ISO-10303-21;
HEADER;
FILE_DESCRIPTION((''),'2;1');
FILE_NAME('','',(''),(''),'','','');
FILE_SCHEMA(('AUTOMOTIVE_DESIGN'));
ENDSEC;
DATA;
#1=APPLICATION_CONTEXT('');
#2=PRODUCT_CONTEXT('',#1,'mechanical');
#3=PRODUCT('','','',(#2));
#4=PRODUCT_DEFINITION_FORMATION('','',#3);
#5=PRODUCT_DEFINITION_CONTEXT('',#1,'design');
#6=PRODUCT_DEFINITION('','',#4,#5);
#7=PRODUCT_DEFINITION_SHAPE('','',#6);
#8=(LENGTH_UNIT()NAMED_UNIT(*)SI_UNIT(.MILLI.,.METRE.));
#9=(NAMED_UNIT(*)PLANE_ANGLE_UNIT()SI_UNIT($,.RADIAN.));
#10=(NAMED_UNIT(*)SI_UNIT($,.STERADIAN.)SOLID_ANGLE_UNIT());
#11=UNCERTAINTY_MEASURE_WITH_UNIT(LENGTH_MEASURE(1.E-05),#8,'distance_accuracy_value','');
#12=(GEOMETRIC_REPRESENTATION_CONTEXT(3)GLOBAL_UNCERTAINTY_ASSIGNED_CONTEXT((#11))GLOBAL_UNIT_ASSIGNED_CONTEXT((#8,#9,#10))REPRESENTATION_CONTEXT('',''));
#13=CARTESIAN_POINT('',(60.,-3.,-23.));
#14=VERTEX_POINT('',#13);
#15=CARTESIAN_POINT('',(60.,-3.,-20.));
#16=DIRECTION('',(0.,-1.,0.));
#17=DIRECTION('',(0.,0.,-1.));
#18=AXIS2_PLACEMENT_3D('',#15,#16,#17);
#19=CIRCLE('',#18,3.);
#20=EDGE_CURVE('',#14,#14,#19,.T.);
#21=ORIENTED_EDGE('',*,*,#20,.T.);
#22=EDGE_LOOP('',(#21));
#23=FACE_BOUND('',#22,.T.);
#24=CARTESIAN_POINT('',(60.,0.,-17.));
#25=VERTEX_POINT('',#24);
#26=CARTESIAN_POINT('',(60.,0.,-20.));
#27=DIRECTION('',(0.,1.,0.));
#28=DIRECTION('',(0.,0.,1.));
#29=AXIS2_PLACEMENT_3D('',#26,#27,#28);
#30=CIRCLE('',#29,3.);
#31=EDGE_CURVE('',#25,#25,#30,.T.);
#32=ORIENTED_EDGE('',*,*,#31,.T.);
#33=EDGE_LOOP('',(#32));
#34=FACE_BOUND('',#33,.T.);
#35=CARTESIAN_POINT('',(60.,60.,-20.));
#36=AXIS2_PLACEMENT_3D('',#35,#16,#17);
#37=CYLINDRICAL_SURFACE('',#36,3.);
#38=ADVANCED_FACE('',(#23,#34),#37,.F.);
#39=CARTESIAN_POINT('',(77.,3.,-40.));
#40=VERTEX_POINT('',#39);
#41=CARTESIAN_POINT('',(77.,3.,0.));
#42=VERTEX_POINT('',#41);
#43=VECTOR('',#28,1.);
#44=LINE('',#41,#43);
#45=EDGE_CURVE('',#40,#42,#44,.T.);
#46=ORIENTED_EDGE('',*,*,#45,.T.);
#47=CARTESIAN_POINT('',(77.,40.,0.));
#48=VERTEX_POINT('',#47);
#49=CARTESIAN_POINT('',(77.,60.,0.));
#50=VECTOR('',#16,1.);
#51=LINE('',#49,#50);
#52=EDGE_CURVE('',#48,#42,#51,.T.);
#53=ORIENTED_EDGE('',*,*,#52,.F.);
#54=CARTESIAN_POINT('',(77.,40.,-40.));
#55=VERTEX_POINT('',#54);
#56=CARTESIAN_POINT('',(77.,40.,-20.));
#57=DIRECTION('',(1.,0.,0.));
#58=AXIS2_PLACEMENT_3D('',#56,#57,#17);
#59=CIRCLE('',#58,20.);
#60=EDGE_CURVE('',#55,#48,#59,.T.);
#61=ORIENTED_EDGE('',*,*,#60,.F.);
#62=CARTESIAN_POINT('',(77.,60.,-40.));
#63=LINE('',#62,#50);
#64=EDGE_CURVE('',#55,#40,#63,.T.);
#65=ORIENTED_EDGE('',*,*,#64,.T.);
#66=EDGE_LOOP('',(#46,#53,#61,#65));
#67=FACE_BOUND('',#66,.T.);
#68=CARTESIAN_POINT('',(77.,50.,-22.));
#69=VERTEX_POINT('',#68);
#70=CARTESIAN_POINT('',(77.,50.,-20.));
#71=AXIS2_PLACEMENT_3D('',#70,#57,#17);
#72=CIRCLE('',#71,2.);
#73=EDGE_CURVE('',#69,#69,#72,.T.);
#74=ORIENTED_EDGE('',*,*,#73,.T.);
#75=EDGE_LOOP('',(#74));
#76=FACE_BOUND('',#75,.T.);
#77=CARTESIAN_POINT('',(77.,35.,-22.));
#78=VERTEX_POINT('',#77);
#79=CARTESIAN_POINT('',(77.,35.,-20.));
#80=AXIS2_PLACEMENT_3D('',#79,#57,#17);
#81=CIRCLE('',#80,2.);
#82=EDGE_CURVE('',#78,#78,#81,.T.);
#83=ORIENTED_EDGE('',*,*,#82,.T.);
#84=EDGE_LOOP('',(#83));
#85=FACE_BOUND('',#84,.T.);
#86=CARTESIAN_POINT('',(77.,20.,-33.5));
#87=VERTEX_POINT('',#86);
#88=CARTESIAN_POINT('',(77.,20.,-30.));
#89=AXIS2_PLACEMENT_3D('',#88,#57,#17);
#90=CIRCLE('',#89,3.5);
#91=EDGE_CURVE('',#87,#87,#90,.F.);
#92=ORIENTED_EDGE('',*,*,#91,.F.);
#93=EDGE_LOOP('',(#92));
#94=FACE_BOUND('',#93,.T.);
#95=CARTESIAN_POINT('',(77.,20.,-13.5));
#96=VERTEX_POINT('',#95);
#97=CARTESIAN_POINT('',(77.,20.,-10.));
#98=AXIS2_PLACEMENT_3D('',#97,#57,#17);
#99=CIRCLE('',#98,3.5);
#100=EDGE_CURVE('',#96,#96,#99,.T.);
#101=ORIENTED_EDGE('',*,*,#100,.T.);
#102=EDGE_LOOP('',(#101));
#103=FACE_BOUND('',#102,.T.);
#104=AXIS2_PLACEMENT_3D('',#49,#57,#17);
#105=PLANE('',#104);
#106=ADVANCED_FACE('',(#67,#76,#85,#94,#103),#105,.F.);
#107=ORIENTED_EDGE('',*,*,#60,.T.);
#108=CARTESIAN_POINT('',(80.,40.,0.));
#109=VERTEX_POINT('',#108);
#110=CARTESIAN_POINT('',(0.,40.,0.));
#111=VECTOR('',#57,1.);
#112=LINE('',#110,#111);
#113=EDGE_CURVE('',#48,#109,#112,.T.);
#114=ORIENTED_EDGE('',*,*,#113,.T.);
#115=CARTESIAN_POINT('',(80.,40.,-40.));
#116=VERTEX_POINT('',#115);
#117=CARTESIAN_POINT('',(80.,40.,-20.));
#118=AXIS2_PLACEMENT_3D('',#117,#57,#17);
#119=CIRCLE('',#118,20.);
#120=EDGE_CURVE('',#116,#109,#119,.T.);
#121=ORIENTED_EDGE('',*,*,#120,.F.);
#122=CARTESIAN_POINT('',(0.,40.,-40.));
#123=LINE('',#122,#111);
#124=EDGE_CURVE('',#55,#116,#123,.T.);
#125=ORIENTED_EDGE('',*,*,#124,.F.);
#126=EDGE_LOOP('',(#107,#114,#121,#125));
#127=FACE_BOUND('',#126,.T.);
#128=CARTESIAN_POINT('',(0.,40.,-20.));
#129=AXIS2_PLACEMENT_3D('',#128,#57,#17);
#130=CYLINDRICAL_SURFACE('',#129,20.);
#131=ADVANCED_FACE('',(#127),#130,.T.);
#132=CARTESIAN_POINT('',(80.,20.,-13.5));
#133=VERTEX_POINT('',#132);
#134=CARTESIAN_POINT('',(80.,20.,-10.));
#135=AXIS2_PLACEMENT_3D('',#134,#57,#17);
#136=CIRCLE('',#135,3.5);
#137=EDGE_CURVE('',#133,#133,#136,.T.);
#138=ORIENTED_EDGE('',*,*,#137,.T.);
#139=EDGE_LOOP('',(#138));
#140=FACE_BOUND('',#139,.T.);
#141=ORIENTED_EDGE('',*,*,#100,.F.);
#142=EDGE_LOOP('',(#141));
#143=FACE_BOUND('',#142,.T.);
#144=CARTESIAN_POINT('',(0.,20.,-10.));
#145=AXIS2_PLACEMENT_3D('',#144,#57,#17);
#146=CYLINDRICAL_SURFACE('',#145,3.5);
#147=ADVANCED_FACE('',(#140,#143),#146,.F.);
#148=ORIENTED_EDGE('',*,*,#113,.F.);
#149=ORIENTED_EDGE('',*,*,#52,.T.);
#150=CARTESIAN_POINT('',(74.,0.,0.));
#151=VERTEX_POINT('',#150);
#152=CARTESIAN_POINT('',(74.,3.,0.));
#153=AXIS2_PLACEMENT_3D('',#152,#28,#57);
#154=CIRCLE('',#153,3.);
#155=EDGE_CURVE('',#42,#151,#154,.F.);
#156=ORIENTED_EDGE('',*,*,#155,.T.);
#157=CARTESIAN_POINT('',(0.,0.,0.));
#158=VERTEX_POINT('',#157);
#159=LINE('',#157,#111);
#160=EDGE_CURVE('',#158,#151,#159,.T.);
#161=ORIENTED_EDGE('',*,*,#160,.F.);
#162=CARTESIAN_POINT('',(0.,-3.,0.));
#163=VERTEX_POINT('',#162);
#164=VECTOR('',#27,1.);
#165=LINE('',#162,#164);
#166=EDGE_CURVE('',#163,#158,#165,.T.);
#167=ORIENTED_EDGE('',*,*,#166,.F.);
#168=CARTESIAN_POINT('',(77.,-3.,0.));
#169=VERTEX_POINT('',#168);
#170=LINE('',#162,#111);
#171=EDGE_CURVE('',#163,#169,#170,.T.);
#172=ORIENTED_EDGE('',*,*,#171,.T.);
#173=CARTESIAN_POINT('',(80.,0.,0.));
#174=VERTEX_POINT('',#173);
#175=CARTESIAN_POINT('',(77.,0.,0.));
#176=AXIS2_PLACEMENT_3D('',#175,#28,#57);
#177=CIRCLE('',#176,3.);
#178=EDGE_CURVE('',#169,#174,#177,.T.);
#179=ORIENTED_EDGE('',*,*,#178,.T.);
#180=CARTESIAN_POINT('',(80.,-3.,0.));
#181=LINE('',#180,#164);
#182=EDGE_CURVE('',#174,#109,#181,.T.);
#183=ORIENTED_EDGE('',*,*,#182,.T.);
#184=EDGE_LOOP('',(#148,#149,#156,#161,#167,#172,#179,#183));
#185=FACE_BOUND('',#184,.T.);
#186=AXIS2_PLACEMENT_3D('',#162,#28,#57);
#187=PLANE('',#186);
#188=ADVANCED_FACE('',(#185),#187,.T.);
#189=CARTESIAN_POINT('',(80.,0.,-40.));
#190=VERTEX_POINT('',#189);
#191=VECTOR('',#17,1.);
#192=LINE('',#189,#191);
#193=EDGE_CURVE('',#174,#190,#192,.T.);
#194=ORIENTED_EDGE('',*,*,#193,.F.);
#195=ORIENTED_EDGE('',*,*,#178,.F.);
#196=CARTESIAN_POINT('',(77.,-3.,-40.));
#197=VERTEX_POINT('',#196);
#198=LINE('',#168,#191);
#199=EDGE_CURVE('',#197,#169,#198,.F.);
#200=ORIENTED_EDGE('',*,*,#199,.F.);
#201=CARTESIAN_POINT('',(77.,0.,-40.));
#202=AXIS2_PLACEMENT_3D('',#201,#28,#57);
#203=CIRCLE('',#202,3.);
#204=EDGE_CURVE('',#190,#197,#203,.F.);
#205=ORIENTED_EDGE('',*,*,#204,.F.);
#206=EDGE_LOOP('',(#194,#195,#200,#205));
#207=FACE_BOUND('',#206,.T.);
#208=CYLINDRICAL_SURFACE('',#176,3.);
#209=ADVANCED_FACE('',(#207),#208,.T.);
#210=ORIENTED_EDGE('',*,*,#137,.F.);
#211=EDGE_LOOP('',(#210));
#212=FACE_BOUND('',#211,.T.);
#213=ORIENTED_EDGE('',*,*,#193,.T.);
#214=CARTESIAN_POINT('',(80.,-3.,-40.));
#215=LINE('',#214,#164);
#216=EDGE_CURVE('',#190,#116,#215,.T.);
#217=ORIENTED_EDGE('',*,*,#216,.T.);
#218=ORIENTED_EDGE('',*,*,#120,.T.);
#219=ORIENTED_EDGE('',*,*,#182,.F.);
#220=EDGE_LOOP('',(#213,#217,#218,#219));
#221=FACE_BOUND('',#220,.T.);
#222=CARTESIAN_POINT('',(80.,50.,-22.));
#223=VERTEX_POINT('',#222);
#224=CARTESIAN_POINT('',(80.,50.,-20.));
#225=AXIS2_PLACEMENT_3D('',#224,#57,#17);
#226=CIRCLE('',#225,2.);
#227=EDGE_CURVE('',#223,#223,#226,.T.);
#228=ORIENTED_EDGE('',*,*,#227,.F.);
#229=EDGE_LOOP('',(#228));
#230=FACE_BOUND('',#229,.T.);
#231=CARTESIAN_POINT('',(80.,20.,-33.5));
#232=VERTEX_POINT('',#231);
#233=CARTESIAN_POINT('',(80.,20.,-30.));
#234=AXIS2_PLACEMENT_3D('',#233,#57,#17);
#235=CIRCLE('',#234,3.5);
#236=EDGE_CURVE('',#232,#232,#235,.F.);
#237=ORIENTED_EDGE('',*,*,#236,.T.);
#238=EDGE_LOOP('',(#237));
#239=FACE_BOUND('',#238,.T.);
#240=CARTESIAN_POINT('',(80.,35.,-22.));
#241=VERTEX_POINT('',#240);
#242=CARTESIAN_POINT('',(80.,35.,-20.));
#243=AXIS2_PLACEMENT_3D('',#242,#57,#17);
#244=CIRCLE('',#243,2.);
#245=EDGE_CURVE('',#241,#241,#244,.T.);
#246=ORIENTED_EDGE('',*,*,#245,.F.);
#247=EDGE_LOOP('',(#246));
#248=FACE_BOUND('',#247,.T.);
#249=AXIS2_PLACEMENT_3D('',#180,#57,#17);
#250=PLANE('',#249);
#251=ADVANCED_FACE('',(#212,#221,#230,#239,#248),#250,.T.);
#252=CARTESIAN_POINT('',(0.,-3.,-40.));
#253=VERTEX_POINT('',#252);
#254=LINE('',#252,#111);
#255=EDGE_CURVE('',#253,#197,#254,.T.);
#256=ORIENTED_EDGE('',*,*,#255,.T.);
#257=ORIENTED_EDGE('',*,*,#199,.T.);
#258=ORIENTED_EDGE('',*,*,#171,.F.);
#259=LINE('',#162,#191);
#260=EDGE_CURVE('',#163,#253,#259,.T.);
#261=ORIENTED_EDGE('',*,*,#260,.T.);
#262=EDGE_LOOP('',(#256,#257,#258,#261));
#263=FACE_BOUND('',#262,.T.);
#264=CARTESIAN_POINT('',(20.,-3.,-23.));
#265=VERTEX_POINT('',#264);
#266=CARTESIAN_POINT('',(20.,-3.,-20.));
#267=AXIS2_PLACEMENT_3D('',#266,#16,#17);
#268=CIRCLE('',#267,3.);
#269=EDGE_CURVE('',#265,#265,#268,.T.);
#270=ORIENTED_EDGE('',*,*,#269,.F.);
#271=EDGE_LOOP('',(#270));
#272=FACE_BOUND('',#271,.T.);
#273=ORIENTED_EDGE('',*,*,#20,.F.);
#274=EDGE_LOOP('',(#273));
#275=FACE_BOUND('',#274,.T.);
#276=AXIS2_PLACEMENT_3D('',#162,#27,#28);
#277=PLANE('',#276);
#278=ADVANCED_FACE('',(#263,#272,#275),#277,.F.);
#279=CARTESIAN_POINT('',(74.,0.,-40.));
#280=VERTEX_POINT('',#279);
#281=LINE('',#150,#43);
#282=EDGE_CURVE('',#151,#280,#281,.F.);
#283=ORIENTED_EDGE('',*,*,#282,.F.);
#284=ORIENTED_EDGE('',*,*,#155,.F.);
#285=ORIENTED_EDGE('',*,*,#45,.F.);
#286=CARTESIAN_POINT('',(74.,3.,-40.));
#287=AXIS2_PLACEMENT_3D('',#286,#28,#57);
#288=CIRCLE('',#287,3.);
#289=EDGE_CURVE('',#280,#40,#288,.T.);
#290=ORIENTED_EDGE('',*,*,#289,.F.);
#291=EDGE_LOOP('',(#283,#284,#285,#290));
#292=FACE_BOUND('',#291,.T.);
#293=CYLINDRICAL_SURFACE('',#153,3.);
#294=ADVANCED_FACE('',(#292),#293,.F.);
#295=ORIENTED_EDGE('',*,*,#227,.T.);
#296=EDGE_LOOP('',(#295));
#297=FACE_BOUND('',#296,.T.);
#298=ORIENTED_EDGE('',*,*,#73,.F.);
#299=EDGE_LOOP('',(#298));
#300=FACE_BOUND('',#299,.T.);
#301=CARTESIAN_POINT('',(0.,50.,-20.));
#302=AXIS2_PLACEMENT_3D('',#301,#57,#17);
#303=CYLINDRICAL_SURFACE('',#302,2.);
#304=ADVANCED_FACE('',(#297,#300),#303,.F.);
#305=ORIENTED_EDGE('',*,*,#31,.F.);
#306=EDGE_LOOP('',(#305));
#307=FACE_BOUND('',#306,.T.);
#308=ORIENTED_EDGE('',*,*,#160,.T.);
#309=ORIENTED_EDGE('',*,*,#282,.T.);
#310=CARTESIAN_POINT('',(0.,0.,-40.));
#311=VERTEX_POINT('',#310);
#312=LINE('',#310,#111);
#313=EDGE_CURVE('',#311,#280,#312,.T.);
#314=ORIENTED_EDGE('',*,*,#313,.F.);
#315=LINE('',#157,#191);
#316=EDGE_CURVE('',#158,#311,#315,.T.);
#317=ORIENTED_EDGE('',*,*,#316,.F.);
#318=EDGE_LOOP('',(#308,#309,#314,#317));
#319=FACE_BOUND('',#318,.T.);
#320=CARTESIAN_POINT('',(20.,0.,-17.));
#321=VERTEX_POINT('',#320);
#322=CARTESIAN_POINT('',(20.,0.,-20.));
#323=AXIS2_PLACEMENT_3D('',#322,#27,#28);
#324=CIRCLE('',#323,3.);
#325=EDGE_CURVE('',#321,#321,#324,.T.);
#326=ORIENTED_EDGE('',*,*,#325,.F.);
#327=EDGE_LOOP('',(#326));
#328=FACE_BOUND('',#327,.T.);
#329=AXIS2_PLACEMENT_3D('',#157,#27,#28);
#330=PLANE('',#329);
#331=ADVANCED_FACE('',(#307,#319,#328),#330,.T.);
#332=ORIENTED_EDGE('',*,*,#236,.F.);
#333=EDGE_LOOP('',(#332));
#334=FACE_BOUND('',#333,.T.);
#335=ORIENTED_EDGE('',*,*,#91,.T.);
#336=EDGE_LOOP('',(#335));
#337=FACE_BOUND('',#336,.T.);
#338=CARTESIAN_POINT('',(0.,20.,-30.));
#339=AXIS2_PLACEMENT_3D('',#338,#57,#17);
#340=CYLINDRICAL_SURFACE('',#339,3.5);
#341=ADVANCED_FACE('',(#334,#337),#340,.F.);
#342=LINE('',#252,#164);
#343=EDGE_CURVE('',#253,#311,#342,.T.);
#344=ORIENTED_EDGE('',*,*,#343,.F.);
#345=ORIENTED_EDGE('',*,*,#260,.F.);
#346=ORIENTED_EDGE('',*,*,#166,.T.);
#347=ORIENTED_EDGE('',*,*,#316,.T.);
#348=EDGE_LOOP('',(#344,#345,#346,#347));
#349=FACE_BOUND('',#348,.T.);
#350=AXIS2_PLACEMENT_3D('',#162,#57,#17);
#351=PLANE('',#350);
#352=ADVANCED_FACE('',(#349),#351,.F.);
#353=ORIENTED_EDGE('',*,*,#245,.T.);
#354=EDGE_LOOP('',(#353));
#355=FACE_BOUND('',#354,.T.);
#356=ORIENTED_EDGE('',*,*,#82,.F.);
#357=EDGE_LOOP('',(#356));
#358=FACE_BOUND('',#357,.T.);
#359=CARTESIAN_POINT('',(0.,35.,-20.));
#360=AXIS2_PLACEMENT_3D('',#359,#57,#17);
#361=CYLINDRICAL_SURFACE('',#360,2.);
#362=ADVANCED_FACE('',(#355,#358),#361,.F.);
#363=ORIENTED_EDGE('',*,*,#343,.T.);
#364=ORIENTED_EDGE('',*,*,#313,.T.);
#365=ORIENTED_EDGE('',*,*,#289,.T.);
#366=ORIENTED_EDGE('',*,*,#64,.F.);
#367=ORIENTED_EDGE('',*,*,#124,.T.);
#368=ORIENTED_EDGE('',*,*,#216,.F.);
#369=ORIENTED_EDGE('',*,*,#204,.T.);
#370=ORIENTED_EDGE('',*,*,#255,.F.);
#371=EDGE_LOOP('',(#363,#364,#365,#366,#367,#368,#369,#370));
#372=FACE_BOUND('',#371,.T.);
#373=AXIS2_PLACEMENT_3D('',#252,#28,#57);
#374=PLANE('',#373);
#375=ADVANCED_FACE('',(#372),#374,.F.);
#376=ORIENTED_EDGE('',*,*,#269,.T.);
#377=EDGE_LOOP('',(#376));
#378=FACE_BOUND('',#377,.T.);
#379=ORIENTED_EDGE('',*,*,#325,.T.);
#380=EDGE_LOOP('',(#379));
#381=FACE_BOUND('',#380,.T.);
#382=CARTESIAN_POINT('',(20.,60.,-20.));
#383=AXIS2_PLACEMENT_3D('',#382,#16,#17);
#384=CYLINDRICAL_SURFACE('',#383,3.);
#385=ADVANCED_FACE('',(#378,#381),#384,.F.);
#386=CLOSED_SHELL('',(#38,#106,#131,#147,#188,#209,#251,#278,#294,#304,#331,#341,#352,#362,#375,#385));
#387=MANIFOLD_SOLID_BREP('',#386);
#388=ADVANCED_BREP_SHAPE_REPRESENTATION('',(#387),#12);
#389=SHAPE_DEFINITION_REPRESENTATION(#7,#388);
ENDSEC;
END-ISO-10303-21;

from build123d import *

# Parameters (mm, degrees)
SKETCH2_W           = 80
SKETCH2_H           = 40
BOSS_EXTRUDE1_DEPTH = 3
SKETCH2_3_W         = 3
SKETCH2_3_H         = 40
BOSS_EXTRUDE2_DEPTH = 60
FILLET1_R           = 3
SKETCH3_R           = 2
SKETCH3_R_2         = 3.5
CUT_EXTRUDE1_DEPTH  = 108.703296143
SKETCH7_R           = 3
CUT_EXTRUDE2_DEPTH  = 110.402925007


with BuildPart() as part:
    # Sketch2 → Boss-Extrude1 (new body)
    with BuildSketch(Plane(origin=(0, 0, 0), x_dir=(1, 0, 0), z_dir=(0, 1, 0))):
        with Locations((40, 20)):
            Rectangle(SKETCH2_W, SKETCH2_H)
    extrude(amount=-BOSS_EXTRUDE1_DEPTH)

    # Sketch2<3> → Boss-Extrude2 (add)
    with BuildSketch(Plane(origin=(0, 0, 0), x_dir=(1, 0, 0), z_dir=(0, 1, 0))):
        with Locations((78.5, 20)):
            Rectangle(SKETCH2_3_W, SKETCH2_3_H)
    extrude(amount=BOSS_EXTRUDE2_DEPTH)

    # Fillet1
    fillet1_edges = [part.edges().sort_by_distance(p)[0] for p in [
        (80, -3, -20),
        (77, 0, -20),
    ]]
    fillet(fillet1_edges, radius=FILLET1_R)

    # Sketch3 → Cut-Extrude1 (cut, through all)
    with BuildSketch(Plane(origin=(80, 0, 0), x_dir=(0, 0, -1), z_dir=(1, 0, 0))):
        with Locations((20, 35)):
            Circle(SKETCH3_R)
        with Locations((20, 50)):
            Circle(SKETCH3_R)
        with BuildLine():
            ThreePointArc((0, 40), (5.857864376, 54.142135624), (20, 60))
            Line((20, 60), (0, 60))
            Line((0, 60), (0, 40))
        make_face()
        with BuildLine():
            Line((40, 60), (20, 60))
            ThreePointArc((20, 60), (34.142135624, 54.142135624), (40, 40))
            Line((40, 40), (40, 60))
        make_face()
        with Locations((10, 20)):
            Circle(SKETCH3_R_2)
        with Locations((30, 20)):
            Circle(SKETCH3_R_2)
    extrude(amount=-CUT_EXTRUDE1_DEPTH, mode=Mode.SUBTRACT)

    # Sketch7 → Cut-Extrude2 (cut, through all)
    with BuildSketch(Plane.XZ.offset(3)):
        with Locations((60, -20)):
            Circle(SKETCH7_R)
        with Locations((20, -20)):
            Circle(SKETCH7_R)
    extrude(amount=-CUT_EXTRUDE2_DEPTH, mode=Mode.SUBTRACT)


solid = part.part
